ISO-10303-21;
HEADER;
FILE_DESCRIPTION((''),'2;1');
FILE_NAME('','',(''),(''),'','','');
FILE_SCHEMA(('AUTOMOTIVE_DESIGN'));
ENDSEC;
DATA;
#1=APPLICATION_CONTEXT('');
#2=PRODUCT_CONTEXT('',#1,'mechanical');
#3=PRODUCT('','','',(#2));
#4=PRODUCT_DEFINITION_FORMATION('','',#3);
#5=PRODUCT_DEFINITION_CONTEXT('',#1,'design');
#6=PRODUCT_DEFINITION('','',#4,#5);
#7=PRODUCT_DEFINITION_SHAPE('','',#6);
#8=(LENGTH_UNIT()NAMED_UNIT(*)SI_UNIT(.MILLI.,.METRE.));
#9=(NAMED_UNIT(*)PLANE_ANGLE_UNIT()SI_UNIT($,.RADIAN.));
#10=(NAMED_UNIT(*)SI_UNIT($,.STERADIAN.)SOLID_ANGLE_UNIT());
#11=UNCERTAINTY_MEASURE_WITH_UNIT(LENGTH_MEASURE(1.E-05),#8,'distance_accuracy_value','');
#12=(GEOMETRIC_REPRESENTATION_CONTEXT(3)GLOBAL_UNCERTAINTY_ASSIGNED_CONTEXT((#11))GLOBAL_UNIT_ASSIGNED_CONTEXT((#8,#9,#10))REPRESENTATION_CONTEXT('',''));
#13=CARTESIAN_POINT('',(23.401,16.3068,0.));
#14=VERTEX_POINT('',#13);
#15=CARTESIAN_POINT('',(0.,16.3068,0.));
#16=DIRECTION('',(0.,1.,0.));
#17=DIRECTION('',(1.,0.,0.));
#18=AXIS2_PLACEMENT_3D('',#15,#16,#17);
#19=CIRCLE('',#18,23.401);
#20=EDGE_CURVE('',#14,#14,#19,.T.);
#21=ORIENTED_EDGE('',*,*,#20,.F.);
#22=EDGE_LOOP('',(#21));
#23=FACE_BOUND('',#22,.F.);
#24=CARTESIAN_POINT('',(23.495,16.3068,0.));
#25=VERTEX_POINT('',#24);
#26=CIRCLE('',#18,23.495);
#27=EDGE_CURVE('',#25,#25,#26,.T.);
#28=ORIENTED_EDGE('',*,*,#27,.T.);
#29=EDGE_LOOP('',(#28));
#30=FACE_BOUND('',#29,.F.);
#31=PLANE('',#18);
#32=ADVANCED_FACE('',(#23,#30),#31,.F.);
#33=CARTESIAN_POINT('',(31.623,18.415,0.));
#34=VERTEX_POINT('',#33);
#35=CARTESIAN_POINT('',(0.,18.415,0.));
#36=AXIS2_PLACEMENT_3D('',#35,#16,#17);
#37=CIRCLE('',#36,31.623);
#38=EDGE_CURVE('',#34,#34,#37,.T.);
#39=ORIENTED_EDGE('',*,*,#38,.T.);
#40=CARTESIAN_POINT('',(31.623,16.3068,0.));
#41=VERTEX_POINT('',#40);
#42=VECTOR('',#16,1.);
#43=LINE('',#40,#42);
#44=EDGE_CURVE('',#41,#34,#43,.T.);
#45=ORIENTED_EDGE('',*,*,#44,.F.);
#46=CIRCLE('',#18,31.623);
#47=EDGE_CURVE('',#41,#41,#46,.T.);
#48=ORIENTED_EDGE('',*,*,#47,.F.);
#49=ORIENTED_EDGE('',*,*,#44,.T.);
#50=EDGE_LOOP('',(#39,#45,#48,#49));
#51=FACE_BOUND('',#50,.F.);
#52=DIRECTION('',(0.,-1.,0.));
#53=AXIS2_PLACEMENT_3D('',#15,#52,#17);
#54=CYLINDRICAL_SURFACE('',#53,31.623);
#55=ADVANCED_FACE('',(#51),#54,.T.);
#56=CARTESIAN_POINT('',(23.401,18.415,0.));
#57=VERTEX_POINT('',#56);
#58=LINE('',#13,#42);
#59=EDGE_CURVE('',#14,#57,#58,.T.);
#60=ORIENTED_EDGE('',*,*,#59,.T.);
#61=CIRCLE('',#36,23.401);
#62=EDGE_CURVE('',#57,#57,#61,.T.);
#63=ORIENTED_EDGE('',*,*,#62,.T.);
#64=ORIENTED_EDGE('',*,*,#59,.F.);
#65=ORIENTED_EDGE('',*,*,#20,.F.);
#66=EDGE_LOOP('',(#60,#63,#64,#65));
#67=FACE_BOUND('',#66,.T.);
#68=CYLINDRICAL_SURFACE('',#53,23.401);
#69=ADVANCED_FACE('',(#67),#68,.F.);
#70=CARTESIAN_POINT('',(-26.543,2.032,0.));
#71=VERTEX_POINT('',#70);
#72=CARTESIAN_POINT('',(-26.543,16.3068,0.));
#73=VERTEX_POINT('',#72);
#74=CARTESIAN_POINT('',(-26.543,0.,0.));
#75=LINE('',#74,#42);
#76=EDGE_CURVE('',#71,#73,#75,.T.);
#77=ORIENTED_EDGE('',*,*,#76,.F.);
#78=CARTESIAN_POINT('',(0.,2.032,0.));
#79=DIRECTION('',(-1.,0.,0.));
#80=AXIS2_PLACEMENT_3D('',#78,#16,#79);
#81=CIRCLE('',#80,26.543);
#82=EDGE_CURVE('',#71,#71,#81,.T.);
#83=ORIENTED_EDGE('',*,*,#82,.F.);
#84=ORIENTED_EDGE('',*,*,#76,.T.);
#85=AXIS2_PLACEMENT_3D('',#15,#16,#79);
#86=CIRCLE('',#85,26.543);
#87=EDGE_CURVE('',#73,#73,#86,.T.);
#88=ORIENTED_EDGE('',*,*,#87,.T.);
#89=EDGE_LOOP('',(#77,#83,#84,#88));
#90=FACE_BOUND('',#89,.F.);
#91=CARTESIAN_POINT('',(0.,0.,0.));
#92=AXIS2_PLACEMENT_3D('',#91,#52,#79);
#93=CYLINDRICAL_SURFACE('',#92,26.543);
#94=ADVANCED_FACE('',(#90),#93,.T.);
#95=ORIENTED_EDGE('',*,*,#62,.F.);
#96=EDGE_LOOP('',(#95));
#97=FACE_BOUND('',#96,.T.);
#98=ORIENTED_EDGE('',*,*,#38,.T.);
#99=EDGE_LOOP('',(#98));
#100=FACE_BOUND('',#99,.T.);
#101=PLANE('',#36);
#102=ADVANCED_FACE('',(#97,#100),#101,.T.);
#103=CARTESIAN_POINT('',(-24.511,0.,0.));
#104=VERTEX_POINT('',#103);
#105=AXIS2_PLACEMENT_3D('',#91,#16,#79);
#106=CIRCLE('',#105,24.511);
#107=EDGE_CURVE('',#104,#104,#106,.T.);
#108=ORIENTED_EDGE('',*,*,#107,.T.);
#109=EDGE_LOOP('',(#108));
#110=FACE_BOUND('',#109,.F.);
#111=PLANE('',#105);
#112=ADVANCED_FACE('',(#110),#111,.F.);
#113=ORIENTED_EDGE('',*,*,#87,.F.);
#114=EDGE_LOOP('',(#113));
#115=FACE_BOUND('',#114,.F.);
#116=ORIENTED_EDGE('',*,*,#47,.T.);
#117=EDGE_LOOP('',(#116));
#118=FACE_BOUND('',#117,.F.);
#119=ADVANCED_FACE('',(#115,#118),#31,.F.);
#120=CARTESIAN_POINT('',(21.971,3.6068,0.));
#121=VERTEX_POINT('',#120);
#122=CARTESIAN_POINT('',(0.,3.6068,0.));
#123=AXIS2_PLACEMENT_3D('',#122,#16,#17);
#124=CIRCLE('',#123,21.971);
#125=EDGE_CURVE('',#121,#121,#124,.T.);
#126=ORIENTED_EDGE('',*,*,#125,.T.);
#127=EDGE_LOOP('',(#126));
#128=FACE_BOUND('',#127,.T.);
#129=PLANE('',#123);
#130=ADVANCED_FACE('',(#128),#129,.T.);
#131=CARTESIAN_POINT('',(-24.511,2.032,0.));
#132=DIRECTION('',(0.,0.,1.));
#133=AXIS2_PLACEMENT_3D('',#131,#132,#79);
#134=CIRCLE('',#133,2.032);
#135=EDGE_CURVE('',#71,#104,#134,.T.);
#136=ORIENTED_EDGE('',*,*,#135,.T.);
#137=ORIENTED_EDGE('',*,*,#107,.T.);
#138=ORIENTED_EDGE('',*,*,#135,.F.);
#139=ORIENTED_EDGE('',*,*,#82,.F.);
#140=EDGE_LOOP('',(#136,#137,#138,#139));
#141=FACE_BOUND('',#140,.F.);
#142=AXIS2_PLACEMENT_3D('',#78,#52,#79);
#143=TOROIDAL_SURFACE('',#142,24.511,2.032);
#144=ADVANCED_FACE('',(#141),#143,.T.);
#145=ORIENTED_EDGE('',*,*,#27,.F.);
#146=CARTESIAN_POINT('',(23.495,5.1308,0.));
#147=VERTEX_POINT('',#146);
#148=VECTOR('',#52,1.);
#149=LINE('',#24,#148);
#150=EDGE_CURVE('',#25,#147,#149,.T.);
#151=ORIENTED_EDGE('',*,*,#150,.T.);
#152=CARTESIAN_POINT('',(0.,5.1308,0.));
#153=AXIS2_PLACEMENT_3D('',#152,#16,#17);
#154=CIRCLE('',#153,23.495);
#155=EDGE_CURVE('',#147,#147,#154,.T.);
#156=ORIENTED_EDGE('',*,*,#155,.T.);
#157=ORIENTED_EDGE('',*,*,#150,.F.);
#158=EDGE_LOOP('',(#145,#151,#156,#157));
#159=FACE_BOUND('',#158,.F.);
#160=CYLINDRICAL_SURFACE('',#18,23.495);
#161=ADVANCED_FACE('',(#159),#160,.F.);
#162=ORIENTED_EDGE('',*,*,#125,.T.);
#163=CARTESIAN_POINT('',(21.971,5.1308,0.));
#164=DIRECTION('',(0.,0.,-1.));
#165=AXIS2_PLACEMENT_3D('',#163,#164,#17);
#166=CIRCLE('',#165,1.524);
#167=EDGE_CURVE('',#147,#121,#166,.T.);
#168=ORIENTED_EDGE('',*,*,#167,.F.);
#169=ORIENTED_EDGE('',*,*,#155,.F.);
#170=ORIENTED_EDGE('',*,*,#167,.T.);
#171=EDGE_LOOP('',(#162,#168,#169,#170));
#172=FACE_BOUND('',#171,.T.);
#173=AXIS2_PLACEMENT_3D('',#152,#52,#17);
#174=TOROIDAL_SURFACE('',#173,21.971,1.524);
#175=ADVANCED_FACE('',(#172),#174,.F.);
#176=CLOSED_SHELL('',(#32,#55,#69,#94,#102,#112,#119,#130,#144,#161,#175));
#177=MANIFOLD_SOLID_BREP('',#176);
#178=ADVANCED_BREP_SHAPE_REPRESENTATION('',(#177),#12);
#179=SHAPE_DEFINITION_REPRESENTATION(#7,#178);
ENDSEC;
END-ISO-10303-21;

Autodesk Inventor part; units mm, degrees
ref_plane "YZ Plane" through (0, 0, 0) normal (1, 0, 0) x (0, 1, 0)
ref_plane "XZ Plane" through (0, 0, 0) normal (0, 1, 0) x (-1, 0, 0)
ref_plane "XY Plane" through (0, 0, 0) normal (0, 0, 1) x (1, 0, 0)
sketch "Sketch1" plane through (0, 0, 0) normal (0, 1, 0) x (-1, 0, 0)
  circle A0 centre (0, 0) radius 26.543
  dimension "d0" = 53.086
extrude "Extrusion1" add sketch "Sketch1" along normal blind 16.3068
sketch "Sketch2" plane through (0, 16.3068, 0) normal (0, 1, 0) x (1, 0, 0)
  circle A0 centre (0, 0) radius 23.495
  dimension "d3" = 46.99
extrude "Extrusion2" cut sketch "Sketch2" against normal blind 12.7
sketch "Sketch3" plane through (0, 16.3068, 0) normal (0, 1, 0) x (1, 0, 0)
  circle A0 centre (0, 0) radius 31.623
  circle A1 centre (0, 0) radius 23.401
  dimension "d6" = 63.246
extrude "Extrusion4" add sketch "Sketch3" along normal blind 2.1082
fillet "Fillet1" radius 2.032 1 edges at (26.543, 0, 0)
fillet "Fillet2" radius 1.524 1 edges at (-23.495, 3.6068, 0)
properties part number "_3DPrint"
